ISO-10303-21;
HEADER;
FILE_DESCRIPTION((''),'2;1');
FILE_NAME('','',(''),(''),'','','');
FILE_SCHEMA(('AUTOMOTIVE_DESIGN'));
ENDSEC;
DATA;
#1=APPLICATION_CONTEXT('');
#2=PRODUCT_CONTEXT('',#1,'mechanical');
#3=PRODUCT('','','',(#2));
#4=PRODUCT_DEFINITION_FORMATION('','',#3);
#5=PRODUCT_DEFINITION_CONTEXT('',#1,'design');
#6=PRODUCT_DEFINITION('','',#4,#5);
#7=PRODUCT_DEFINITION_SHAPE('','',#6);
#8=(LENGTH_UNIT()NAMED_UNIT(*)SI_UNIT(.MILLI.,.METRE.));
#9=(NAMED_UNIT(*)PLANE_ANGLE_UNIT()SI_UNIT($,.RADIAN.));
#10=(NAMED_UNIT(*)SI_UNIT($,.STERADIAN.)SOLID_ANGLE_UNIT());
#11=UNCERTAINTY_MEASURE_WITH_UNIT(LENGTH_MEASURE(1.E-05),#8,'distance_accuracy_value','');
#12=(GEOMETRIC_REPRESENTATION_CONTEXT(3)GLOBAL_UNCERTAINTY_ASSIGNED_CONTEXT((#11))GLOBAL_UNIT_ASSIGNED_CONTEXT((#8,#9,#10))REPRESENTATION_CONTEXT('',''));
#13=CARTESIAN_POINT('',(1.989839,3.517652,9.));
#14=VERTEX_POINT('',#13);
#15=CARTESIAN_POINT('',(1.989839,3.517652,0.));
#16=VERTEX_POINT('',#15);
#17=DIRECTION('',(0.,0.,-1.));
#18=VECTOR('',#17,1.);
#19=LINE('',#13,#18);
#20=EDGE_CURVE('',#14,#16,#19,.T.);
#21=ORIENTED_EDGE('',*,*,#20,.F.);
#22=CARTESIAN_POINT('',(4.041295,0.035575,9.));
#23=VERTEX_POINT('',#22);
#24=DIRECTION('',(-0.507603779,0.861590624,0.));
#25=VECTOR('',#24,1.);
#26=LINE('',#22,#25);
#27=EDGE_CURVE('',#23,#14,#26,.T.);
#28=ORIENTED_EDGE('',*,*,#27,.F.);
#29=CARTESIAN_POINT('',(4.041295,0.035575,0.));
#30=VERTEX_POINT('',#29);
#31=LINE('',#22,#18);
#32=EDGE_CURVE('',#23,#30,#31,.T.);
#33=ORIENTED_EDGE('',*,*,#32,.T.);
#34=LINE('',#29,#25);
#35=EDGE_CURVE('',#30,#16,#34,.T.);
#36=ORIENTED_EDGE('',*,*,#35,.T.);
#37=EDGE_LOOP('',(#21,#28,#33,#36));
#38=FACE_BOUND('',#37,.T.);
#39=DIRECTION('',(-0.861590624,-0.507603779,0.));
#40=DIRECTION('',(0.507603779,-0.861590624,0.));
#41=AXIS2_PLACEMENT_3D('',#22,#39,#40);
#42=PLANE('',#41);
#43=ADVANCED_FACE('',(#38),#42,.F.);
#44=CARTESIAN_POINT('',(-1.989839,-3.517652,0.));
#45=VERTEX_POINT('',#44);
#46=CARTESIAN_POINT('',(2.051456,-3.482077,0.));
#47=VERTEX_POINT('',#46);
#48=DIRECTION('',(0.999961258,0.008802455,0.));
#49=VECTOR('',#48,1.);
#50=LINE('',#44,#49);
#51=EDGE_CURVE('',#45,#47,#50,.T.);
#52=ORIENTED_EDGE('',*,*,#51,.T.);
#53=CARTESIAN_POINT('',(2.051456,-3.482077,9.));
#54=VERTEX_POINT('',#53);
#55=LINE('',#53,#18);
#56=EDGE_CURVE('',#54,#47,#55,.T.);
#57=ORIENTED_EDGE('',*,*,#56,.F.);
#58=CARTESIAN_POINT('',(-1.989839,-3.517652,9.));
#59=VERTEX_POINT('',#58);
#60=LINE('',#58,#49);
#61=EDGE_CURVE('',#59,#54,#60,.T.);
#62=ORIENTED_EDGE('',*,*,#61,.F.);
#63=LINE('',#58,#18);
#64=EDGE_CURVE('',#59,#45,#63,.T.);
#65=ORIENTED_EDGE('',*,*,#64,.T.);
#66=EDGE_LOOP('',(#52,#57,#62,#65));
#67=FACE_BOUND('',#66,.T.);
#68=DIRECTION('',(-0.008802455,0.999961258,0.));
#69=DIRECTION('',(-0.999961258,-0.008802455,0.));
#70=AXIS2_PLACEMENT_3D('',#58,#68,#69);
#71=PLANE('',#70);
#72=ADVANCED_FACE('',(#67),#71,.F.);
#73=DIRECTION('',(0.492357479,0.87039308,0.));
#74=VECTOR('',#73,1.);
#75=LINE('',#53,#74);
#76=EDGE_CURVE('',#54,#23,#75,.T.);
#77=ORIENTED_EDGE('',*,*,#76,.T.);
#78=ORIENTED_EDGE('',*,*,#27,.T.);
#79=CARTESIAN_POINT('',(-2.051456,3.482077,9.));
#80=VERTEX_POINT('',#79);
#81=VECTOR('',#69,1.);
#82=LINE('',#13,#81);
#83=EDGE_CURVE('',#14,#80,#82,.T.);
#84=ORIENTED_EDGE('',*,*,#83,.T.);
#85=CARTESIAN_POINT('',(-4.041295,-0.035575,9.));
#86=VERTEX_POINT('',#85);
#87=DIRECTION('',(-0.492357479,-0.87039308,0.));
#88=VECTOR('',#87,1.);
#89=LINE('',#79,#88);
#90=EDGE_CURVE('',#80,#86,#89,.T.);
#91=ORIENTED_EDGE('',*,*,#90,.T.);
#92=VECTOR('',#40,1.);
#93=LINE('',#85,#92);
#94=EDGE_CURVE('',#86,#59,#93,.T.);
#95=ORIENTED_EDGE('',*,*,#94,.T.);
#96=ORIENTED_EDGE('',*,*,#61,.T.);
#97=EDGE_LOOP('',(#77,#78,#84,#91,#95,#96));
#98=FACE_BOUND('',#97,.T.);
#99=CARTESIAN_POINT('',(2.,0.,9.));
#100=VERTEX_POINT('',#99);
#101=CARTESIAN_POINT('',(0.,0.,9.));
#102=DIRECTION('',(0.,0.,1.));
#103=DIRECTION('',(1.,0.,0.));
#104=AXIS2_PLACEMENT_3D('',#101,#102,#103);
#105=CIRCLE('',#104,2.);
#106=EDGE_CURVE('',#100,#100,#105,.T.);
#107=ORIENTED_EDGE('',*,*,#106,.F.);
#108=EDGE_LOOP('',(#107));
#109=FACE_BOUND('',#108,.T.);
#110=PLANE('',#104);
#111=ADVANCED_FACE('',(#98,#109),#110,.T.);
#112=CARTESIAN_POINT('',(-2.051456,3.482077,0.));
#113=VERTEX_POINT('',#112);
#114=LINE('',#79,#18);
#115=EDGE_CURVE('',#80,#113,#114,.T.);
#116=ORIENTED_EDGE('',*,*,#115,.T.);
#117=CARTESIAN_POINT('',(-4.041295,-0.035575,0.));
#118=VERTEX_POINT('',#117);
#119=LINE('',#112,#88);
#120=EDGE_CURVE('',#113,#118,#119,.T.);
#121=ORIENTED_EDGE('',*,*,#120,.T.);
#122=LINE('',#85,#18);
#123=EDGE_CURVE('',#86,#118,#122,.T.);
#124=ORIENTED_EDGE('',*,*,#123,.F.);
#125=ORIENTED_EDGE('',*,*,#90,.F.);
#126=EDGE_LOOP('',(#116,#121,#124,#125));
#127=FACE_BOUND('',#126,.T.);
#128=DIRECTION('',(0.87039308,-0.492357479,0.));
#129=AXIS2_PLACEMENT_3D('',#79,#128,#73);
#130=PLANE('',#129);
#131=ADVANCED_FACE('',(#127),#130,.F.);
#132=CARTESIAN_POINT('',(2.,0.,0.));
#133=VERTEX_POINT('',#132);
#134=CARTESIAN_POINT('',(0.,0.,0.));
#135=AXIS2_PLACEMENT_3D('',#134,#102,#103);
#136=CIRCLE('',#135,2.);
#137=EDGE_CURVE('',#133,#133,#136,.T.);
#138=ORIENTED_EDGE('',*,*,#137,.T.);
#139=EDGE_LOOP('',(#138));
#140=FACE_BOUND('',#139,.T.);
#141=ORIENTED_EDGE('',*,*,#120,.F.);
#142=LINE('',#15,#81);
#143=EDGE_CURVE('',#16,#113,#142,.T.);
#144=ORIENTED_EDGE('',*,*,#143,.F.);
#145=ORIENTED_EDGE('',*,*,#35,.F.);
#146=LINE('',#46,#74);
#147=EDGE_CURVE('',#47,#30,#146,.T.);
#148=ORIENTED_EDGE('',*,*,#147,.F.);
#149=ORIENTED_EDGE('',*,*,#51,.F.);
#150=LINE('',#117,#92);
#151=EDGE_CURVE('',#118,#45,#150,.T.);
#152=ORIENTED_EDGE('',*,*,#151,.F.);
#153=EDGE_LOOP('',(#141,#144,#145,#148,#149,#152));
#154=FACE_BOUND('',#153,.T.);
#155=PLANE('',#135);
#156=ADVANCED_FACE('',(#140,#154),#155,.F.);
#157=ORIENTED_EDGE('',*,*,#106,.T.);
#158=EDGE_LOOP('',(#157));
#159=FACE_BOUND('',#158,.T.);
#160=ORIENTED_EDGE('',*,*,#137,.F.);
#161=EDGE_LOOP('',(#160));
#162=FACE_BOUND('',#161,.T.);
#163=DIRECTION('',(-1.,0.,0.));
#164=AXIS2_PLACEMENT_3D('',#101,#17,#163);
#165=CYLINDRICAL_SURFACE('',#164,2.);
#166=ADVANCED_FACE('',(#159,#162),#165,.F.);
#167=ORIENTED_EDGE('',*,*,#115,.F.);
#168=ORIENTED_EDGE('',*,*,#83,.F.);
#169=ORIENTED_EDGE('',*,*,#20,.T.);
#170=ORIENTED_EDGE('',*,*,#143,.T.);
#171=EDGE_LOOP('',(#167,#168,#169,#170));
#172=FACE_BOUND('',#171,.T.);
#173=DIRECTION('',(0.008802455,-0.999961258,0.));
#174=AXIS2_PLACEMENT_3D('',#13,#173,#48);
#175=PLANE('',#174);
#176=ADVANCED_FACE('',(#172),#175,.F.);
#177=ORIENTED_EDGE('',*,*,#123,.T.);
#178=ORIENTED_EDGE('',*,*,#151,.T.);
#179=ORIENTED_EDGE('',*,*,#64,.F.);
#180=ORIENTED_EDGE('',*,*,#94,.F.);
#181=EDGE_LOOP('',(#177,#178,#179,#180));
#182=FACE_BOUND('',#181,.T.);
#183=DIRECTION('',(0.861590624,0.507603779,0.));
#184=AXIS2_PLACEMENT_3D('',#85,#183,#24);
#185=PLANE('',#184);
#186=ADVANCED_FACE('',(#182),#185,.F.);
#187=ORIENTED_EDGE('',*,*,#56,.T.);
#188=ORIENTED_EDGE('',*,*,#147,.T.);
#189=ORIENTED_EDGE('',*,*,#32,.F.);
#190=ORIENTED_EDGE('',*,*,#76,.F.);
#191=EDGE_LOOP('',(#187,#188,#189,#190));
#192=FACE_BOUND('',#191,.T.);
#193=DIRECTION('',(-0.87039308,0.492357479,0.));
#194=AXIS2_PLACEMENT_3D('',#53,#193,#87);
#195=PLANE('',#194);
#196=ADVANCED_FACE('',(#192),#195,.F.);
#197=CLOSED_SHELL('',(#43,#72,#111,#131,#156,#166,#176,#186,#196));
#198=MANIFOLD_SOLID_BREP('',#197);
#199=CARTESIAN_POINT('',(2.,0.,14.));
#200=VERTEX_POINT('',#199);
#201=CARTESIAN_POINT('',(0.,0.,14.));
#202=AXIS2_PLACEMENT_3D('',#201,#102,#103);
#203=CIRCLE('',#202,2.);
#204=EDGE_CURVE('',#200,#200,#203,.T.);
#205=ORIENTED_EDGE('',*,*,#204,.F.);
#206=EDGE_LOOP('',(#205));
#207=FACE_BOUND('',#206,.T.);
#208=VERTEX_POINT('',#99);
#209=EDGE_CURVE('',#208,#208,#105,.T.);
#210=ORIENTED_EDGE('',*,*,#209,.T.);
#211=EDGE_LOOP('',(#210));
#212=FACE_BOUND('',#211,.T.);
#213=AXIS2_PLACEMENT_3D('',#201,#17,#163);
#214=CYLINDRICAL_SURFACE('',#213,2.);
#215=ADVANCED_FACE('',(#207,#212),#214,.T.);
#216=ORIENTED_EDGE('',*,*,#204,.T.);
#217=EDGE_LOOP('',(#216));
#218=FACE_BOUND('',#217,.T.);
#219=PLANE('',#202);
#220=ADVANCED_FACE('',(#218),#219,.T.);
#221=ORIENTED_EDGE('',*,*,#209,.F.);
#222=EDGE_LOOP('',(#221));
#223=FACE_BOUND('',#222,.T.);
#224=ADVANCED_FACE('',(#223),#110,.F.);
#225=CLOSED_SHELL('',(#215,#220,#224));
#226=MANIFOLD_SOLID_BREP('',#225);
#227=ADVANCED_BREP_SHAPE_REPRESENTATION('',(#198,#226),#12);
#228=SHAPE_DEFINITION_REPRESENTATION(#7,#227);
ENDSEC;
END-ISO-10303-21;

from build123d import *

# Parameters (mm, degrees)
SKETCH_1_R      = 2
EXTRUDE_1_DEPTH = 9
SKETCH_3_R      = 2
EXTRUDE_2_DEPTH = 5


with BuildPart() as part:
    # 草图1 → 凸台-拉伸1 (new body)
    with BuildSketch(Plane.XY):
        Polygon((2.051456248, -3.482077052), (4.041295309, 0.035574699), (1.989839061, 3.517651751), (-2.051456248, 3.482077052), (-4.041295309, -0.035574699), (-1.989839061, -3.517651751), align=None)
        Circle(SKETCH_1_R, mode=Mode.SUBTRACT)
    extrude(amount=EXTRUDE_1_DEPTH)


with BuildPart() as body_2:
    # 草图3 → 凸台-拉伸2 (new body)
    with BuildSketch(Plane.XY.offset(9)):
        Circle(SKETCH_3_R)
    extrude(amount=EXTRUDE_2_DEPTH)


solid = Compound([part.part, body_2.part])
